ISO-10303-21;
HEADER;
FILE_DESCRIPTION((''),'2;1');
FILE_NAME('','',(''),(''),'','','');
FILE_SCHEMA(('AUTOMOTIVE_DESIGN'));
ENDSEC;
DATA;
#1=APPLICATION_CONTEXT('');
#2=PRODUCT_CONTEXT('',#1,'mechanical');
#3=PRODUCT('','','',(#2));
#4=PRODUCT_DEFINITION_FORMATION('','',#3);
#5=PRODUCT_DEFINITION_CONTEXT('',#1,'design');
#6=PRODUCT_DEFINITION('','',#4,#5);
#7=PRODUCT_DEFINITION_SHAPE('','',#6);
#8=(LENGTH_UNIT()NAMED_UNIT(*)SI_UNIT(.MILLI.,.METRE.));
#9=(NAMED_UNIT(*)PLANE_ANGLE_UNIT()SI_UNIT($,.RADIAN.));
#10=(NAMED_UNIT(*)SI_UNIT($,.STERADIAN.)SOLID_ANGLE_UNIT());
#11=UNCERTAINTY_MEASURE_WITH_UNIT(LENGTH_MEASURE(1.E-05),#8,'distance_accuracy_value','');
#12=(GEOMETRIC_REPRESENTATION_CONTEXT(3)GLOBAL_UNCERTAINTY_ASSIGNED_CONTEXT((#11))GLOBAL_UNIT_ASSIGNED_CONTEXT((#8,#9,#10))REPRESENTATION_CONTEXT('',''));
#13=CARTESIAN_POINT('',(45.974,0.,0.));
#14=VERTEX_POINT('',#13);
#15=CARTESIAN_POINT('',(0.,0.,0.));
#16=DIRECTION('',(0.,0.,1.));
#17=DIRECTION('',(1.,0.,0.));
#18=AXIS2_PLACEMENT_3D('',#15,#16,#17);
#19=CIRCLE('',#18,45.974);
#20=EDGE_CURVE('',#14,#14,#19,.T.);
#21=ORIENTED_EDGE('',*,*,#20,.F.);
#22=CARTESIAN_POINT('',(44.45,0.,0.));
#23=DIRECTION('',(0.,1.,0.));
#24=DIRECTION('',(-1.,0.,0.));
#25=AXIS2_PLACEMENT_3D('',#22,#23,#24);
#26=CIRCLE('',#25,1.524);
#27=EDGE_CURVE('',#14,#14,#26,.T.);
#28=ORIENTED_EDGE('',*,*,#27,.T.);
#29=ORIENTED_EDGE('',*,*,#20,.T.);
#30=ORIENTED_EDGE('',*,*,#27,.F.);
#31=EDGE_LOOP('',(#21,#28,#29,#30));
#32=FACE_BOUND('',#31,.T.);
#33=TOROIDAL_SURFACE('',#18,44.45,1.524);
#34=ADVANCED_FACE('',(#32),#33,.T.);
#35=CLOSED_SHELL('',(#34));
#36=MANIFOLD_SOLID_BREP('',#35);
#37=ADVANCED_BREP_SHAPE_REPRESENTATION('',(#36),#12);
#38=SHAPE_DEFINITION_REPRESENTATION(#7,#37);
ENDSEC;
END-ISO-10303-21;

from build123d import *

# Parameters (mm, degrees)
SWEEP1_PROFILE_R = 1.524


with BuildPart() as part:
    # Sweep1: sweep along a path in Sketch1
    with BuildLine(Plane.XY) as sweep1_path:
        CenterArc((0, 0), 44.45, 0, 360)
    # Sweep1 profile (on start of the path) → Sweep1 (sweep)
    with BuildSketch(Plane(origin=(44.45, 0, 0), x_dir=(0, 0, 1), z_dir=(0, 1, 0))):
        Circle(SWEEP1_PROFILE_R)
    sweep(path=sweep1_path.line)


solid = part.part
